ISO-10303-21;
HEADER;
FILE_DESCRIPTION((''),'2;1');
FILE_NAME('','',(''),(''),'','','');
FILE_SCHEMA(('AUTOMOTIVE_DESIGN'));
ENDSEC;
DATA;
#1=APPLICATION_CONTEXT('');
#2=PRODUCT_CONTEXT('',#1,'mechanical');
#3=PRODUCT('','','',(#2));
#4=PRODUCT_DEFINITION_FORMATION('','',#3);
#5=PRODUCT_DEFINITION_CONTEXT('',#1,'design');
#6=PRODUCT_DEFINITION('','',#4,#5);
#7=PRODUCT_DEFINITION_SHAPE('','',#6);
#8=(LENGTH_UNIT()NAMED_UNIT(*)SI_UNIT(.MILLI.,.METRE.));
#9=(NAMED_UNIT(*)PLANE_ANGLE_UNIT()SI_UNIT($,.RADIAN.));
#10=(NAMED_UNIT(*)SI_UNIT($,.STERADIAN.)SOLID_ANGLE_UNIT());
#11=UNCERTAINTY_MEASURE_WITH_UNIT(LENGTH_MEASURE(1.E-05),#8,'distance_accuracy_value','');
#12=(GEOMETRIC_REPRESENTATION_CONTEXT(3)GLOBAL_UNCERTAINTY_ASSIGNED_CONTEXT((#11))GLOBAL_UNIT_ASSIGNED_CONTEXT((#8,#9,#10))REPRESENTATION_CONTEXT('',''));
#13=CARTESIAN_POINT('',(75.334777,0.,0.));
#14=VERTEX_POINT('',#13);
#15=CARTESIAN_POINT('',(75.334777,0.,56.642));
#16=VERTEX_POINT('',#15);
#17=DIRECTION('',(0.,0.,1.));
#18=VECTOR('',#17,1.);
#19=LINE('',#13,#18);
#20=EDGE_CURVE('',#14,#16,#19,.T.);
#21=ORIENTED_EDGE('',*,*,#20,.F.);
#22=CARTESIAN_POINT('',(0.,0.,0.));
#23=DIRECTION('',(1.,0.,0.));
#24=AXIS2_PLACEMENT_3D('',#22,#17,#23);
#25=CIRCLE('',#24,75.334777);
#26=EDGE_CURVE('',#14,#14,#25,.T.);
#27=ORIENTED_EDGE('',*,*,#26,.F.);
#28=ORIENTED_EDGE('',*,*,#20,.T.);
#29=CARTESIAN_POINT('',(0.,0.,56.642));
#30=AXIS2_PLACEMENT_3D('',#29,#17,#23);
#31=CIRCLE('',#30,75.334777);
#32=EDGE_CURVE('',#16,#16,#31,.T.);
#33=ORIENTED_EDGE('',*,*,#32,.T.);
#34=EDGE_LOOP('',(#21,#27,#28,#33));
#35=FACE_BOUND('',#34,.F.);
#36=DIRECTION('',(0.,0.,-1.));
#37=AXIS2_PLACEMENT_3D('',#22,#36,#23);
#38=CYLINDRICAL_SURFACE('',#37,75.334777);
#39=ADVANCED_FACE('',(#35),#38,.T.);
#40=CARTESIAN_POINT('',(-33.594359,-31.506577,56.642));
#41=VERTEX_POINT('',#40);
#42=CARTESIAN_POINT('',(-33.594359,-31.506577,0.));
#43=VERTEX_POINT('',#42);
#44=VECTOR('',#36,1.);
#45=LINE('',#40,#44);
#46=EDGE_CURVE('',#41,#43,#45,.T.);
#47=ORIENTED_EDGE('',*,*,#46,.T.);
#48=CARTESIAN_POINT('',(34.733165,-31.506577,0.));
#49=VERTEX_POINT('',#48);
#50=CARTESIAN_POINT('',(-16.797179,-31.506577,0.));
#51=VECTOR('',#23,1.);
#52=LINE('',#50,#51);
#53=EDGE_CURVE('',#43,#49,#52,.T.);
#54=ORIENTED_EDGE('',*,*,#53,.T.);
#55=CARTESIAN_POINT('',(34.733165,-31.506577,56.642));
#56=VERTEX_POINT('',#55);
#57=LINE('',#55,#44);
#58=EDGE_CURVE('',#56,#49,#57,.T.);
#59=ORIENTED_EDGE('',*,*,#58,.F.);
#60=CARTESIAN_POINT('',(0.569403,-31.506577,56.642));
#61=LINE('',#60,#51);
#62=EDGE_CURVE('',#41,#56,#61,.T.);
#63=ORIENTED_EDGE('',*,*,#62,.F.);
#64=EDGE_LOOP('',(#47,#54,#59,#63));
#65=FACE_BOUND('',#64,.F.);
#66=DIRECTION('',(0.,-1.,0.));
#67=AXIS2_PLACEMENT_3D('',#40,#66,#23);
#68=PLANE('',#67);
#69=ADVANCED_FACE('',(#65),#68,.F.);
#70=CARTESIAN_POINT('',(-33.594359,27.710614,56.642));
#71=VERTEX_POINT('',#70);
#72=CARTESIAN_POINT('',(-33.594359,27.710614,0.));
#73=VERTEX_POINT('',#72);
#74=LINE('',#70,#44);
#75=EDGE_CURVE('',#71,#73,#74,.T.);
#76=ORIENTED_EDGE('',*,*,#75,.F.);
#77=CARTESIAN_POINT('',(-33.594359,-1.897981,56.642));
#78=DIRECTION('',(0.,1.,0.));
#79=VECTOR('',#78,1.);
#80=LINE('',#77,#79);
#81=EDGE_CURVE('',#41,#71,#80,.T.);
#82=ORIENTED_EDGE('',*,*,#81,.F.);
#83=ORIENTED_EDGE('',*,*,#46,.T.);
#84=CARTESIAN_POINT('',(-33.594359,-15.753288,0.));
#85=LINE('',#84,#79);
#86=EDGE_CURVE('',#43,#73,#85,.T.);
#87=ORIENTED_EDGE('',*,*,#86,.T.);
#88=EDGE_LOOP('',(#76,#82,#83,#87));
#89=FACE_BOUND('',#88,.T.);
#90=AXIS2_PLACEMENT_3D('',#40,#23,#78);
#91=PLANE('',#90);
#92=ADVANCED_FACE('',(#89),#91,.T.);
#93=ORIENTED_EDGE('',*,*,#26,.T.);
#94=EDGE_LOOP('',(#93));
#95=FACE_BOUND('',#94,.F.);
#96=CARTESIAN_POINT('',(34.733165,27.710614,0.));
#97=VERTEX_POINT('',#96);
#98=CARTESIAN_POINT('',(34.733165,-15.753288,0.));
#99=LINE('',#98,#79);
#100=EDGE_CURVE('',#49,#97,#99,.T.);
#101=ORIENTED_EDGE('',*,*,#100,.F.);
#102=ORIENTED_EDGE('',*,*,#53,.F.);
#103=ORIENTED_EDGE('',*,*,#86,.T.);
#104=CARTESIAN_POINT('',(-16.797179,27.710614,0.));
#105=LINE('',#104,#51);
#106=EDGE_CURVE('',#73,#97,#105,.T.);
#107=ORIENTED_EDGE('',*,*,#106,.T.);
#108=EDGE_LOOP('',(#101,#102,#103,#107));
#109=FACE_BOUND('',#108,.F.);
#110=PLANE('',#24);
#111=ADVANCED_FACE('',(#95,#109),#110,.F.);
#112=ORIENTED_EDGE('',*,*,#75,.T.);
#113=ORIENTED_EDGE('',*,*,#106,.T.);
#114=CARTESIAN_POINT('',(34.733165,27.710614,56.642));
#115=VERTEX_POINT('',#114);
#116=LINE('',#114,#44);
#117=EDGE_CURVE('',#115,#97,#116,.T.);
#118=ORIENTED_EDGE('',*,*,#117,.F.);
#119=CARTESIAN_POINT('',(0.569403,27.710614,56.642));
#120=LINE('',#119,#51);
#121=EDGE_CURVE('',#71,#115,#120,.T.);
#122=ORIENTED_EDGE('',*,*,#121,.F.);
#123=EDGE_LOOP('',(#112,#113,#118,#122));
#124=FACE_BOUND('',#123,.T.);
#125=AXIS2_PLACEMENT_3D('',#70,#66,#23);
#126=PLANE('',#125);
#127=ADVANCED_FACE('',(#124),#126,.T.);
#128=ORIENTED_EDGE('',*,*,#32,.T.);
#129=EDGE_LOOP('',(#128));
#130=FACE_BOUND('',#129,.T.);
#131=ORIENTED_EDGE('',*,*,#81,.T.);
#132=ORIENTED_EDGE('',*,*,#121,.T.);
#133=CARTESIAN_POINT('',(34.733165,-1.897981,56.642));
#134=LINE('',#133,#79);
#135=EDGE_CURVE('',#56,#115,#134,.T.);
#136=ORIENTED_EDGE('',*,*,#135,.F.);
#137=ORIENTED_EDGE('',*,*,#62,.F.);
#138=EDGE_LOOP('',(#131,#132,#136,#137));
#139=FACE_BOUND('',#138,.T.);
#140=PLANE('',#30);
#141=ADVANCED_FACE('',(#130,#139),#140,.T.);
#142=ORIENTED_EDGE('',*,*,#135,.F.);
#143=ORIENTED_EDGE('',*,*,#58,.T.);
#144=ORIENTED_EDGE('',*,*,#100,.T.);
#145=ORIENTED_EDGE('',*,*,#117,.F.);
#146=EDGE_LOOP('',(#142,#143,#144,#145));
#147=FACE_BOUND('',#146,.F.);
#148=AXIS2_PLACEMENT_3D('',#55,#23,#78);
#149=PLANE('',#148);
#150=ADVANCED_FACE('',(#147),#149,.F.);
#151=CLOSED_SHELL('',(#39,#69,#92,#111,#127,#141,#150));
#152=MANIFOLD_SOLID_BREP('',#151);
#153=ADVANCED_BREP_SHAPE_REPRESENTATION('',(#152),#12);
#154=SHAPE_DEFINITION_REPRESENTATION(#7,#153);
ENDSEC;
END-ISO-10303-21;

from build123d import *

# Parameters (mm, degrees)
F0_R     = 75.334777
F1_DEPTH = 56.642
F2_W     = 68.327524
F2_H     = 59.217191
F3_DEPTH = 82.042


with BuildPart() as f1:
    # F0 (on Top) → F1 (new body)
    with BuildSketch(Plane.XY):
        Circle(F0_R)
    extrude(amount=F1_DEPTH)

    # F2 (on face) → F3 (cut)
    with BuildSketch(Plane.XY.offset(56.642)):
        with Locations((0.569403, -1.897981)):
            Rectangle(F2_W, F2_H)
    extrude(amount=-F3_DEPTH, mode=Mode.SUBTRACT)


solid = f1.part
